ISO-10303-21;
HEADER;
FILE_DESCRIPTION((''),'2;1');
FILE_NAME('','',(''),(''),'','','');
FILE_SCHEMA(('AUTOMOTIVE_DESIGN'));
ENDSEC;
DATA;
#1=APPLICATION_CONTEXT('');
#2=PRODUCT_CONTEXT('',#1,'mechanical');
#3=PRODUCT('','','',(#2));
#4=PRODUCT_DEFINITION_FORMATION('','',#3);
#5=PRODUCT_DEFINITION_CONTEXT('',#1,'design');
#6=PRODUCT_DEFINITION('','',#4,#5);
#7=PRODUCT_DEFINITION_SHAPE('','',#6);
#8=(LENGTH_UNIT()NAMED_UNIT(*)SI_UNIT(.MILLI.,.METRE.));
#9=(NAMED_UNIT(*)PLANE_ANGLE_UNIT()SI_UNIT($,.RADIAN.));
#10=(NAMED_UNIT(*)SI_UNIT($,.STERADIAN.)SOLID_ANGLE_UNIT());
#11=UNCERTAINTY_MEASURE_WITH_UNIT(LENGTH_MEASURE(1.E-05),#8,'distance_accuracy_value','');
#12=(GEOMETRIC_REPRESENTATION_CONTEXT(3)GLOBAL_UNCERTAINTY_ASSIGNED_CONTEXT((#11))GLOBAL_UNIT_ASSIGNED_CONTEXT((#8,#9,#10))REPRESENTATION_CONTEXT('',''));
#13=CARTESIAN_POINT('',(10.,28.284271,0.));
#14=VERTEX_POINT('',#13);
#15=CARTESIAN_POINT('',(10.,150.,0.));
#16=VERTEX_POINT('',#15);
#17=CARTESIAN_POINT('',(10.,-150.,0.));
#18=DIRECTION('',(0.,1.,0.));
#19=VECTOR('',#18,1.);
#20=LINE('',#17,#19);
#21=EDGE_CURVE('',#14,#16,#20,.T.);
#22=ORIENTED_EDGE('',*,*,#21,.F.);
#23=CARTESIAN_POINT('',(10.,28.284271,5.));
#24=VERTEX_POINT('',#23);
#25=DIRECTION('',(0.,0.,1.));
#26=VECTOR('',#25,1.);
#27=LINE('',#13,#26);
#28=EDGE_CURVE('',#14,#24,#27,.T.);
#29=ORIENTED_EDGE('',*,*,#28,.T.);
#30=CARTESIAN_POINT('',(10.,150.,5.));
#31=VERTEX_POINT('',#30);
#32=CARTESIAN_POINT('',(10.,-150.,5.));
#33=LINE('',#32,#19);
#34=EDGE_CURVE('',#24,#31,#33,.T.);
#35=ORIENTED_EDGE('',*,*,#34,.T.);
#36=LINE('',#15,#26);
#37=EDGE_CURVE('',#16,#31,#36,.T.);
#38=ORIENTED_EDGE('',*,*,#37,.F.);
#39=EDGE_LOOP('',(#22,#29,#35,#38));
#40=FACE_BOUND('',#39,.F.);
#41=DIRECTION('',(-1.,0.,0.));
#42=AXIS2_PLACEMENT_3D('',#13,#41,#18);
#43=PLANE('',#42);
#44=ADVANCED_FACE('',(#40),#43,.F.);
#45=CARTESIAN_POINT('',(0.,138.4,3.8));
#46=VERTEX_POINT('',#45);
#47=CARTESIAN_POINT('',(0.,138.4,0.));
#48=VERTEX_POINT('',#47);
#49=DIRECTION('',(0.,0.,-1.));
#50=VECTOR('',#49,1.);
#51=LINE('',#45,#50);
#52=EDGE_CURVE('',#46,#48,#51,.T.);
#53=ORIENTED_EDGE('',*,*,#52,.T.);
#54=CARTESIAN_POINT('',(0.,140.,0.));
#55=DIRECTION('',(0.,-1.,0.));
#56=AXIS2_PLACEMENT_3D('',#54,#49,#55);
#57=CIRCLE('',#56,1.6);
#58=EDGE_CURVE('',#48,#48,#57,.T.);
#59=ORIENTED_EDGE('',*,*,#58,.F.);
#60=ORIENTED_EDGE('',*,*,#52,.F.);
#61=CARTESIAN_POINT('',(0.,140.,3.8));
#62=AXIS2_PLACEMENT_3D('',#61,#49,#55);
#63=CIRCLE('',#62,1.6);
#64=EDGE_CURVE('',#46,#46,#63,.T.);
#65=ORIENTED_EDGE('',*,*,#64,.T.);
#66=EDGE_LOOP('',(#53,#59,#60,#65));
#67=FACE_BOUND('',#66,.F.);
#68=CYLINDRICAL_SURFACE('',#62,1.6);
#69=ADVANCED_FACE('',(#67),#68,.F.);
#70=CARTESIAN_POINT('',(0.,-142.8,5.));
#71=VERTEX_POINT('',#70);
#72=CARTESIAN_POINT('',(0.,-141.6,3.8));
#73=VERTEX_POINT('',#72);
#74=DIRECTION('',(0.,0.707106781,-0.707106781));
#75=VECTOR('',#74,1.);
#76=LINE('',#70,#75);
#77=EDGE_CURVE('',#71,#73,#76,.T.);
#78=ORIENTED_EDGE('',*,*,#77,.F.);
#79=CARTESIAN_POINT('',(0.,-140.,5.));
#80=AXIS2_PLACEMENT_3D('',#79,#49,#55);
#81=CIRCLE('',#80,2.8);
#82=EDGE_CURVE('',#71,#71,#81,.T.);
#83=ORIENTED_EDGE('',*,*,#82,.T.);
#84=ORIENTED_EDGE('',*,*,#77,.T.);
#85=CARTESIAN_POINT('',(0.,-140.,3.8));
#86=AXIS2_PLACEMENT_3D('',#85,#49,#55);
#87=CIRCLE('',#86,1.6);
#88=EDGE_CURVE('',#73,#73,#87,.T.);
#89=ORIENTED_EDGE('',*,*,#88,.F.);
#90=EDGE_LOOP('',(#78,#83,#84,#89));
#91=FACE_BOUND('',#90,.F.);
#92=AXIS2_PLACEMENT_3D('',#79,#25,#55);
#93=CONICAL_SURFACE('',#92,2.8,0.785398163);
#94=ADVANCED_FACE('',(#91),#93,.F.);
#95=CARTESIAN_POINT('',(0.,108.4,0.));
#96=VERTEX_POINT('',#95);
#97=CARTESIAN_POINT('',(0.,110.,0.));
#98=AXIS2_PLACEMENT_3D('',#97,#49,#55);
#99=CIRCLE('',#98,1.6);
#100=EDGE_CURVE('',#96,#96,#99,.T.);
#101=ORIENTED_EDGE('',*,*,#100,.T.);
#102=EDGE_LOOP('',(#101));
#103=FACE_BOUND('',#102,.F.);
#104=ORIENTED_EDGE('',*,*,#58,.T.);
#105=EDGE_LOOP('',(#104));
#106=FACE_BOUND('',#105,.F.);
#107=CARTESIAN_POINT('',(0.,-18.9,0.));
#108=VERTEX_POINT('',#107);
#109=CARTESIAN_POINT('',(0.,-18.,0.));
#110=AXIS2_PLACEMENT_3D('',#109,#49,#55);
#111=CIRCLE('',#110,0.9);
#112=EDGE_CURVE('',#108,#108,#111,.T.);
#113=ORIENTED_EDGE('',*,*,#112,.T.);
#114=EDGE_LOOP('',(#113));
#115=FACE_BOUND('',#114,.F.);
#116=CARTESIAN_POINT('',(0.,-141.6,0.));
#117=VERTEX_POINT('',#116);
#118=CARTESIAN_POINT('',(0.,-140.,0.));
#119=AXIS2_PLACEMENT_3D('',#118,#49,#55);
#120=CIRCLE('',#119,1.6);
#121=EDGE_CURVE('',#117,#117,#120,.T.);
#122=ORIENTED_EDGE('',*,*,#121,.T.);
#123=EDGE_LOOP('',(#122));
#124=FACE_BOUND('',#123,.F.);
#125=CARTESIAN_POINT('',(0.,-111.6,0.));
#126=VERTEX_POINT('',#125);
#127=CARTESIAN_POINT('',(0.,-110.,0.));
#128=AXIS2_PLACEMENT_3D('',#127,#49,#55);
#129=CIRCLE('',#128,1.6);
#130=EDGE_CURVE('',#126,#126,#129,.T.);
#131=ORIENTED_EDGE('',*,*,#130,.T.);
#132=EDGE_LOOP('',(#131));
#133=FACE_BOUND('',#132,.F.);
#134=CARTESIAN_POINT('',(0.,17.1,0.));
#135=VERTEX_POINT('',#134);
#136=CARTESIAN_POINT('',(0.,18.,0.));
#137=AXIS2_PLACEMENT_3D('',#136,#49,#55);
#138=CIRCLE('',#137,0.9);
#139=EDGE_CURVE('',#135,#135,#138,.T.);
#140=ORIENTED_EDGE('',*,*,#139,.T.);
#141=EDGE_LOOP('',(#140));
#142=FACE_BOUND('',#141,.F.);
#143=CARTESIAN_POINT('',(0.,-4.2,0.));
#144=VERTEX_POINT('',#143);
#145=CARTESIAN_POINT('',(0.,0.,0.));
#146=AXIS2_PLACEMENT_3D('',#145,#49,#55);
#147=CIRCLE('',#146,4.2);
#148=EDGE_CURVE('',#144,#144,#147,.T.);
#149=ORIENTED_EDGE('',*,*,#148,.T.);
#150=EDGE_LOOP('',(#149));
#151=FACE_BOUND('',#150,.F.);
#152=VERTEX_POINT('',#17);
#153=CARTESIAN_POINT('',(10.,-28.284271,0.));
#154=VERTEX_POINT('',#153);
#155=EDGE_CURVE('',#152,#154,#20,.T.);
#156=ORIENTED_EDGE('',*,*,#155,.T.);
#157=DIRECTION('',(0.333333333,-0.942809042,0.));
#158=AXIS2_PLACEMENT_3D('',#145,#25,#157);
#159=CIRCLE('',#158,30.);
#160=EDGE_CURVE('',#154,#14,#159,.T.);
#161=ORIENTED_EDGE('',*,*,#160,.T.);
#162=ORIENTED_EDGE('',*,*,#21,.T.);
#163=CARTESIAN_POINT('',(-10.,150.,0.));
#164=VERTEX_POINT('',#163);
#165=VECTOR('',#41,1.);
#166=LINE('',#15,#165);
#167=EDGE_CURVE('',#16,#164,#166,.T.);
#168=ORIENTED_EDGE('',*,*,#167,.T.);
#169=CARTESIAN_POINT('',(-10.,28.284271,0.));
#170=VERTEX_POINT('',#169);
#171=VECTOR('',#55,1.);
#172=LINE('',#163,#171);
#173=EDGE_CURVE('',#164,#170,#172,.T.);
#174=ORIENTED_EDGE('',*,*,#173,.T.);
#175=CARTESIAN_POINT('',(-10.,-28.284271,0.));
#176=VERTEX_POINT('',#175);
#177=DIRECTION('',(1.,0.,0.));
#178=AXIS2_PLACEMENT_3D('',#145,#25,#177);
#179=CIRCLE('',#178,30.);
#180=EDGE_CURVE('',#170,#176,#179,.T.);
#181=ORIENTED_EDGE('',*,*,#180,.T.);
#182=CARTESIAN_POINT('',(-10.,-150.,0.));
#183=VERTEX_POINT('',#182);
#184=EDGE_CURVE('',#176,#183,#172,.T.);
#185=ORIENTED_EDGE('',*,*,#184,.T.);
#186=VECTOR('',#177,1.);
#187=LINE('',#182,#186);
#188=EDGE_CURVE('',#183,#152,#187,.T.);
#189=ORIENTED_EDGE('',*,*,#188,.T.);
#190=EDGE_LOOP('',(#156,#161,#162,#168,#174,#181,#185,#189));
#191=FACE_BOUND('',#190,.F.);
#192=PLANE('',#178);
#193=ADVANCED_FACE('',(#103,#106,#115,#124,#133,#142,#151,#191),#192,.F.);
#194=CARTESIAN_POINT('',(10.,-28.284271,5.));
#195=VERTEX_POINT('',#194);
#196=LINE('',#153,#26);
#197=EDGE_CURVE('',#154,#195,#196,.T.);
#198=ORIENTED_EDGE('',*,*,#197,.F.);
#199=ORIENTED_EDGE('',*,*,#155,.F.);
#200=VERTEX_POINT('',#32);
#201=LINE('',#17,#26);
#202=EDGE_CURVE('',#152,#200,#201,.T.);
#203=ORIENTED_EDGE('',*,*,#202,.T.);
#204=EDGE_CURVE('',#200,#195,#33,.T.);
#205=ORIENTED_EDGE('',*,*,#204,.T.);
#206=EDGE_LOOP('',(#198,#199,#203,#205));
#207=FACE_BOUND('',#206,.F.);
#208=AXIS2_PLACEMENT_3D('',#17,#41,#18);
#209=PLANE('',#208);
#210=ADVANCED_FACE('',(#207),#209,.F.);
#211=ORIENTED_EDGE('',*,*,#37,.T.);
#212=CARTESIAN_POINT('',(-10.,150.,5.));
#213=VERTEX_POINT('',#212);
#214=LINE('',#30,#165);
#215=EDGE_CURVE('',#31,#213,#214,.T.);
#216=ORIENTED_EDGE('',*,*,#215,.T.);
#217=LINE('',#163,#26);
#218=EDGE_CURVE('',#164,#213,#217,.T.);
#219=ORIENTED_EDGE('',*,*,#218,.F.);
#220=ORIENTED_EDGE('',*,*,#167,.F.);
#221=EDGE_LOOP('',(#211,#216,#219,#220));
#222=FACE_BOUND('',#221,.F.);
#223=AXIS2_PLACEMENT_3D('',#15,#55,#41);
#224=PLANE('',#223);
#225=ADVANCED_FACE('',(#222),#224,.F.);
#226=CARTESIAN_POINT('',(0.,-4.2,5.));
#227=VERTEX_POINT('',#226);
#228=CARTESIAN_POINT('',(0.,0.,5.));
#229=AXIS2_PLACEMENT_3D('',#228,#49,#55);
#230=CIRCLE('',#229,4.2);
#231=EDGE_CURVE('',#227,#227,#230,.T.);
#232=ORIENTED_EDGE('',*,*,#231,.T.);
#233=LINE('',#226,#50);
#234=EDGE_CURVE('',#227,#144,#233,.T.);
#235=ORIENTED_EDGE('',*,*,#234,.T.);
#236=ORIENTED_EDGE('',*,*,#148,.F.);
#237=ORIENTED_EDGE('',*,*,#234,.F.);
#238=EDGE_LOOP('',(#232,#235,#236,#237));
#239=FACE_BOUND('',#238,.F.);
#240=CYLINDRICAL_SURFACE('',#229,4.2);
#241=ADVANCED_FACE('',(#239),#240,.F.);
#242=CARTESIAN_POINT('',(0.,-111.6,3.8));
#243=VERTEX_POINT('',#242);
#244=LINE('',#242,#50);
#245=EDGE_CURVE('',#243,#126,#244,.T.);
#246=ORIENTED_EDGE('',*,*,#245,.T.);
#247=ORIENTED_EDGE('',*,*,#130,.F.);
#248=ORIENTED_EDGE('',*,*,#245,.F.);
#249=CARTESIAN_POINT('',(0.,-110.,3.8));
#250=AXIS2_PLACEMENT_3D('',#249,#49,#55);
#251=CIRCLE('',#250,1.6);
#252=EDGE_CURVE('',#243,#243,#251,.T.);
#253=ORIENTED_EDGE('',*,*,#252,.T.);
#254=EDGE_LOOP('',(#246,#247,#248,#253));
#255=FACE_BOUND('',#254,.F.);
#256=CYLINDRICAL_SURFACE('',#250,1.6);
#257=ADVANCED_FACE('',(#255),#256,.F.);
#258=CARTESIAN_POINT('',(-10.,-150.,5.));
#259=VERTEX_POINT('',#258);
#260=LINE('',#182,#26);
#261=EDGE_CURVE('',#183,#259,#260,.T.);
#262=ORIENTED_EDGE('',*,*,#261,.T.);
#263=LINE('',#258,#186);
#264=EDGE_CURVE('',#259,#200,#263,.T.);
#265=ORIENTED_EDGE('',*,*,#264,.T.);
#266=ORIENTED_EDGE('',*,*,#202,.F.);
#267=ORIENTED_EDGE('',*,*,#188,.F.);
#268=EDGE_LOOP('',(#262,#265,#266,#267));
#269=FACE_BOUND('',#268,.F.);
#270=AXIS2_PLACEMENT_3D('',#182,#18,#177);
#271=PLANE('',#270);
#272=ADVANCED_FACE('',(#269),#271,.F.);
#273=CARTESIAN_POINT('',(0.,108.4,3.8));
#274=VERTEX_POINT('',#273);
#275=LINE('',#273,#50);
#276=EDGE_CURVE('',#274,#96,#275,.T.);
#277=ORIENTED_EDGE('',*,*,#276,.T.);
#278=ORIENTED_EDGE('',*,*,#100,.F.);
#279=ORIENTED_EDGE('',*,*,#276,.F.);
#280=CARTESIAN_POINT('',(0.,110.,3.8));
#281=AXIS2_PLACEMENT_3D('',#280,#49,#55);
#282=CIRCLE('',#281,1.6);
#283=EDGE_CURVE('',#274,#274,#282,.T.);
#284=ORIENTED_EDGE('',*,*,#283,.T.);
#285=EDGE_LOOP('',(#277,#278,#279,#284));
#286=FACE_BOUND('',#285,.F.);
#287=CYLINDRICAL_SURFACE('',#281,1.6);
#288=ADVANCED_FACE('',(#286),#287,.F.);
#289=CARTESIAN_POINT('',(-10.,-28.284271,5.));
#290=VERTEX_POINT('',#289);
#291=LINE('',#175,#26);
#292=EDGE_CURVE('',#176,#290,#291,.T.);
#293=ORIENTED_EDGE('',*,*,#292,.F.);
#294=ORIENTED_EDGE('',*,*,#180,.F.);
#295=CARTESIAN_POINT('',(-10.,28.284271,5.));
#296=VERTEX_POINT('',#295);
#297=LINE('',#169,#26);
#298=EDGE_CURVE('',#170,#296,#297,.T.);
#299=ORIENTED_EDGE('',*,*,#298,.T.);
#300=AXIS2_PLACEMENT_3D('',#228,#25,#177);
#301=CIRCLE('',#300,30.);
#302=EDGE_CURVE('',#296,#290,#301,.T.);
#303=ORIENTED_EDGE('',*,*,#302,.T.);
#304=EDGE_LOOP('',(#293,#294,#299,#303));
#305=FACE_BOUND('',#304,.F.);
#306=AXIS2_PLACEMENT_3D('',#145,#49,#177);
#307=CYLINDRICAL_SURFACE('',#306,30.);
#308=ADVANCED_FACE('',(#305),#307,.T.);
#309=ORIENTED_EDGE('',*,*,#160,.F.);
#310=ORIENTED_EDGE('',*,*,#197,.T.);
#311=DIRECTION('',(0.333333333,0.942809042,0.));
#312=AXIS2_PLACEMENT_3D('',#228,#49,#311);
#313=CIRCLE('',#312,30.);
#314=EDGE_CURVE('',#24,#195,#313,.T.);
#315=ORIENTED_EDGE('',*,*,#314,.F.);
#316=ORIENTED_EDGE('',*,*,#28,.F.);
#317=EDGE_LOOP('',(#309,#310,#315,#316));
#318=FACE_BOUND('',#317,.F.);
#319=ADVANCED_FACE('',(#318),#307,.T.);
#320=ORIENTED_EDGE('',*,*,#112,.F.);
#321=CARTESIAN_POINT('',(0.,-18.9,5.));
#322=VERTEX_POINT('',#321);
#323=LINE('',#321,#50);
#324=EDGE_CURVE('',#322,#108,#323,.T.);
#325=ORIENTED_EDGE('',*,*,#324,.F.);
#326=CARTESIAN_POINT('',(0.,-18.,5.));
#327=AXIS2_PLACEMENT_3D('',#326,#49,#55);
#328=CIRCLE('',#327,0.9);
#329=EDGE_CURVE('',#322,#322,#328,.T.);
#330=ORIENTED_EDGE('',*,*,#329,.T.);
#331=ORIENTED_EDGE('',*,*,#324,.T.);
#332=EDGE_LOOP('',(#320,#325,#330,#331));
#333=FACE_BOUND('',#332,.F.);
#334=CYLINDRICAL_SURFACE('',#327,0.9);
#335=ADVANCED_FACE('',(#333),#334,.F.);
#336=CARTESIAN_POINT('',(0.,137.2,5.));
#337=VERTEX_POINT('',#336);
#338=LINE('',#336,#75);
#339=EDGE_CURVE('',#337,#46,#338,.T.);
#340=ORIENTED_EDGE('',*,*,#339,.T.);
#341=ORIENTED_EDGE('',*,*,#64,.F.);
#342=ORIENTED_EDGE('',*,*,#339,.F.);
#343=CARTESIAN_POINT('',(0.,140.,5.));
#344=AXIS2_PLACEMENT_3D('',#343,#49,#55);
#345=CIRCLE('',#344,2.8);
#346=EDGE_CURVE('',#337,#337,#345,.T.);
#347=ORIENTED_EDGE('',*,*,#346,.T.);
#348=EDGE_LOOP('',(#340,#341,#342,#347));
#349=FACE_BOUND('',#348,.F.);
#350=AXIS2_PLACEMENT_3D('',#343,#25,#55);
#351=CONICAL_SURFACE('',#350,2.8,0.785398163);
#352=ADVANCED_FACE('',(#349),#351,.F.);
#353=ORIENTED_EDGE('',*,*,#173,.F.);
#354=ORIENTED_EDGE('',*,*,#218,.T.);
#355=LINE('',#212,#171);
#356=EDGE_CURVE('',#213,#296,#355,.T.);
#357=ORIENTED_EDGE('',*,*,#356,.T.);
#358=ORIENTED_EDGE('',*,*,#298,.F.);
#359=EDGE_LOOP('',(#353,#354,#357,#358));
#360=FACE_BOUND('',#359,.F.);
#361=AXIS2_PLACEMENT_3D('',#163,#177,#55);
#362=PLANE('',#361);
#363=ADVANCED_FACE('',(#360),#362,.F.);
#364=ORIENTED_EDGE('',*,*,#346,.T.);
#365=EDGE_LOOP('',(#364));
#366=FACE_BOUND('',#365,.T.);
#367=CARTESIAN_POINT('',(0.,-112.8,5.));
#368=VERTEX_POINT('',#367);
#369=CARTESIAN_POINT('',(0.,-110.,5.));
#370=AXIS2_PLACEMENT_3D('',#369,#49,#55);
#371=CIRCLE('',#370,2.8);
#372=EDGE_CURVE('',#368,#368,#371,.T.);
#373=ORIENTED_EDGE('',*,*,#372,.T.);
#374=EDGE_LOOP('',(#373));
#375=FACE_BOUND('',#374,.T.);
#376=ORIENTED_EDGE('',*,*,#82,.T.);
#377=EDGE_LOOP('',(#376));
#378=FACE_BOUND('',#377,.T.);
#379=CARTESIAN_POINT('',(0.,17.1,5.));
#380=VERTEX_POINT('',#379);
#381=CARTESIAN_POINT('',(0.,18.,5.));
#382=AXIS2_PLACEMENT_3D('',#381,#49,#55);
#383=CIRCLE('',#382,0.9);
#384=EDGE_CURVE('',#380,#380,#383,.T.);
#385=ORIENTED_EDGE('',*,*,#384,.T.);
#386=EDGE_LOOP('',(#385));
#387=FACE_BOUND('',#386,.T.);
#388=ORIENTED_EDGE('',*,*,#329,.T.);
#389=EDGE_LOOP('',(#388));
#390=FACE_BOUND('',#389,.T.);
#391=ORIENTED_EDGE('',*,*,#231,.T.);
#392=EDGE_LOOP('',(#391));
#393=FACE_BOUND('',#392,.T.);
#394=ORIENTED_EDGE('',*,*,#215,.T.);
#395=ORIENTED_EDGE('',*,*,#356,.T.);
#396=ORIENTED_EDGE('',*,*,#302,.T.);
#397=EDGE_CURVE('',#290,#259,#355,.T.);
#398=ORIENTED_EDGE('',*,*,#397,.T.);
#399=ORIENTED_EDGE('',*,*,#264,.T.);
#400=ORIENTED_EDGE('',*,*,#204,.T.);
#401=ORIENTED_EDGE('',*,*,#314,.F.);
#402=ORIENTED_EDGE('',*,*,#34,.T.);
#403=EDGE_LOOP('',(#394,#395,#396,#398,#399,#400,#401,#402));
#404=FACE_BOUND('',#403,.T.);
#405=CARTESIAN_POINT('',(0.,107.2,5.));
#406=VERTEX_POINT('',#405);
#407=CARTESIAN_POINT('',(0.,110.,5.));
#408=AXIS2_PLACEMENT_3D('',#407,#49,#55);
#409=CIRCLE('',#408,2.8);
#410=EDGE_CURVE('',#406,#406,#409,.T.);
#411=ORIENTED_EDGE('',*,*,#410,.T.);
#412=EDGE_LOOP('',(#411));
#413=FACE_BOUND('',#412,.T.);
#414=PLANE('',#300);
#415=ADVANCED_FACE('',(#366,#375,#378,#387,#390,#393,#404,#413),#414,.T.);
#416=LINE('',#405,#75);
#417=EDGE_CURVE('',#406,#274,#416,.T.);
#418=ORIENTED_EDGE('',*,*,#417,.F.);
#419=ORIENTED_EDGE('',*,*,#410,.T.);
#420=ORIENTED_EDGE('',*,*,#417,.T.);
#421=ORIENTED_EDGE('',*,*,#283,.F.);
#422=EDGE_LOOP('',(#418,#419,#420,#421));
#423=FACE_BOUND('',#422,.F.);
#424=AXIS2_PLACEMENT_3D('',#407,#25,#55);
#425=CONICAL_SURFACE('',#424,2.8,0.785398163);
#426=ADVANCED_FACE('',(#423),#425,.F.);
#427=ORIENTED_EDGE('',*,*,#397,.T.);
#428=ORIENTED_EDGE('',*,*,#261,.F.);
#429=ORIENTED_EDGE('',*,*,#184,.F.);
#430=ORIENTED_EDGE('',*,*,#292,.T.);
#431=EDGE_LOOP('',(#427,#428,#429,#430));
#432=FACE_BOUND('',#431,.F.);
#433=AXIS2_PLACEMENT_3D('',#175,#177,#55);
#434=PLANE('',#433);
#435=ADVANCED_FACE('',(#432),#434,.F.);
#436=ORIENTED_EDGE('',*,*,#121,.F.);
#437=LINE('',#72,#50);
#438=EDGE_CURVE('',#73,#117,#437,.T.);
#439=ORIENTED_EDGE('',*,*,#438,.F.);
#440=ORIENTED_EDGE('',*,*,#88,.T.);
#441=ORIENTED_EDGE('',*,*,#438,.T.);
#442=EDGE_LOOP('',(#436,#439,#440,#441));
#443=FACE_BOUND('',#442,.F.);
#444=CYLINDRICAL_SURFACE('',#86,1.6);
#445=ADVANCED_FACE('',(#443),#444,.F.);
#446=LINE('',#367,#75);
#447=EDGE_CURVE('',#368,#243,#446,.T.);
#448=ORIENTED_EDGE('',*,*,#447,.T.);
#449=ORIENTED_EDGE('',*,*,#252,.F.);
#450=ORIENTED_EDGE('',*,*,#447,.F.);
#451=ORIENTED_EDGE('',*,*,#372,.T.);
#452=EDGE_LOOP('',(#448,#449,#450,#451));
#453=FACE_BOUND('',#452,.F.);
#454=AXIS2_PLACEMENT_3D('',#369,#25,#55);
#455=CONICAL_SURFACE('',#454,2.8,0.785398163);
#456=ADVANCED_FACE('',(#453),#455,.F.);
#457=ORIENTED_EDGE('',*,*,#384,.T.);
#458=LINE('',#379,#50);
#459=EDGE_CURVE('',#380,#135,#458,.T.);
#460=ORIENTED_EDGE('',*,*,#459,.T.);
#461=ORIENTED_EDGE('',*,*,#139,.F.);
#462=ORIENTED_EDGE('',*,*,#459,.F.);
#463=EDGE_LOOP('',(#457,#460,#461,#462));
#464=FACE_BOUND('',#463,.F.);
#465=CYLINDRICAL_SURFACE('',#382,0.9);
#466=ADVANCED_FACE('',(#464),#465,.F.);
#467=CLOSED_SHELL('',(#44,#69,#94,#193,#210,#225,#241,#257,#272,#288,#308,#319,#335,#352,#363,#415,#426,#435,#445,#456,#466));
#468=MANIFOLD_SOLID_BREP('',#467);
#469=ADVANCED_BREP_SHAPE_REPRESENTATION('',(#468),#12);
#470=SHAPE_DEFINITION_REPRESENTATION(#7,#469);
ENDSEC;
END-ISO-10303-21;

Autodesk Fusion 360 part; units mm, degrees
sketch "Sketch1" plane through (0, 0, 0) normal (0, 0, 1) x (1, 0, 0)
  circle A0 centre (0, 0) radius 30
  line L0 (10, 150) -> (-10, 150)
  line L1 (-10, 150) -> (-10, -150)
  line L2 (-10, -150) -> (10, -150)
  line L3 (10, -150) -> (10, 150)
  line L4 (10, 150) -> (-10, -150) construction
  line L5 (-10, 150) -> (10, -150) construction
  dimension "d1" = 60
  dimension "d3" = 20
  dimension "d4" = 300
extrude "Extrude1" add sketch "Sketch1" along normal blind 5
sketch "Sketch2" plane through (0, 0, 5) normal (0, 0, 1) x (-1, 0, 0)
  line L0 (-10, 150) -> (-10, 28.2843)
  arc A0 (-10, 28.2843) -> (-10, -28.2843) centre (0, 0) ccw
  line L1 (-10, -28.2843) -> (-10, -150)
  line L2 (-10, -150) -> (10, -150)
  line L3 (10, -150) -> (10, -28.2843)
  arc A1 (10, -28.2843) -> (10, 28.2843) centre (0, 0) ccw
  line L4 (10, 28.2843) -> (10, 150)
  line L5 (10, 150) -> (-10, 150)
  line L6 (30, 0) -> (-30, 0) construction
  line L7 (0, -18) -> (0, 18) construction
  point P0 (0, -140)
  point P1 (0, -110)
  point P2 (0, 140)
  point P3 (0, 110)
  point P4 (0, -18)
  point P5 (0, 18)
  dimension "d8" = 30
  dimension "d9" = 10
  dimension "d16" = 36
hole "Hole1" at (0, 0, 5) direction (0, 0, -1) diameter 8.4 end up to surface (5 mm away)
hole "Hole2" at (0, 140, 5) at (0, 110, 5) at (0, -110, 5) at (0, -140, 5) direction (0, 0, -1) diameter 3.2 end up to surface (5 mm away) countersink diameter 5.6 countersink angle 90
hole "Hole3" at (0, 18, 5) at (0, -18, 5) direction (0, 0, -1) diameter 1.8 end up to surface (5 mm away)
